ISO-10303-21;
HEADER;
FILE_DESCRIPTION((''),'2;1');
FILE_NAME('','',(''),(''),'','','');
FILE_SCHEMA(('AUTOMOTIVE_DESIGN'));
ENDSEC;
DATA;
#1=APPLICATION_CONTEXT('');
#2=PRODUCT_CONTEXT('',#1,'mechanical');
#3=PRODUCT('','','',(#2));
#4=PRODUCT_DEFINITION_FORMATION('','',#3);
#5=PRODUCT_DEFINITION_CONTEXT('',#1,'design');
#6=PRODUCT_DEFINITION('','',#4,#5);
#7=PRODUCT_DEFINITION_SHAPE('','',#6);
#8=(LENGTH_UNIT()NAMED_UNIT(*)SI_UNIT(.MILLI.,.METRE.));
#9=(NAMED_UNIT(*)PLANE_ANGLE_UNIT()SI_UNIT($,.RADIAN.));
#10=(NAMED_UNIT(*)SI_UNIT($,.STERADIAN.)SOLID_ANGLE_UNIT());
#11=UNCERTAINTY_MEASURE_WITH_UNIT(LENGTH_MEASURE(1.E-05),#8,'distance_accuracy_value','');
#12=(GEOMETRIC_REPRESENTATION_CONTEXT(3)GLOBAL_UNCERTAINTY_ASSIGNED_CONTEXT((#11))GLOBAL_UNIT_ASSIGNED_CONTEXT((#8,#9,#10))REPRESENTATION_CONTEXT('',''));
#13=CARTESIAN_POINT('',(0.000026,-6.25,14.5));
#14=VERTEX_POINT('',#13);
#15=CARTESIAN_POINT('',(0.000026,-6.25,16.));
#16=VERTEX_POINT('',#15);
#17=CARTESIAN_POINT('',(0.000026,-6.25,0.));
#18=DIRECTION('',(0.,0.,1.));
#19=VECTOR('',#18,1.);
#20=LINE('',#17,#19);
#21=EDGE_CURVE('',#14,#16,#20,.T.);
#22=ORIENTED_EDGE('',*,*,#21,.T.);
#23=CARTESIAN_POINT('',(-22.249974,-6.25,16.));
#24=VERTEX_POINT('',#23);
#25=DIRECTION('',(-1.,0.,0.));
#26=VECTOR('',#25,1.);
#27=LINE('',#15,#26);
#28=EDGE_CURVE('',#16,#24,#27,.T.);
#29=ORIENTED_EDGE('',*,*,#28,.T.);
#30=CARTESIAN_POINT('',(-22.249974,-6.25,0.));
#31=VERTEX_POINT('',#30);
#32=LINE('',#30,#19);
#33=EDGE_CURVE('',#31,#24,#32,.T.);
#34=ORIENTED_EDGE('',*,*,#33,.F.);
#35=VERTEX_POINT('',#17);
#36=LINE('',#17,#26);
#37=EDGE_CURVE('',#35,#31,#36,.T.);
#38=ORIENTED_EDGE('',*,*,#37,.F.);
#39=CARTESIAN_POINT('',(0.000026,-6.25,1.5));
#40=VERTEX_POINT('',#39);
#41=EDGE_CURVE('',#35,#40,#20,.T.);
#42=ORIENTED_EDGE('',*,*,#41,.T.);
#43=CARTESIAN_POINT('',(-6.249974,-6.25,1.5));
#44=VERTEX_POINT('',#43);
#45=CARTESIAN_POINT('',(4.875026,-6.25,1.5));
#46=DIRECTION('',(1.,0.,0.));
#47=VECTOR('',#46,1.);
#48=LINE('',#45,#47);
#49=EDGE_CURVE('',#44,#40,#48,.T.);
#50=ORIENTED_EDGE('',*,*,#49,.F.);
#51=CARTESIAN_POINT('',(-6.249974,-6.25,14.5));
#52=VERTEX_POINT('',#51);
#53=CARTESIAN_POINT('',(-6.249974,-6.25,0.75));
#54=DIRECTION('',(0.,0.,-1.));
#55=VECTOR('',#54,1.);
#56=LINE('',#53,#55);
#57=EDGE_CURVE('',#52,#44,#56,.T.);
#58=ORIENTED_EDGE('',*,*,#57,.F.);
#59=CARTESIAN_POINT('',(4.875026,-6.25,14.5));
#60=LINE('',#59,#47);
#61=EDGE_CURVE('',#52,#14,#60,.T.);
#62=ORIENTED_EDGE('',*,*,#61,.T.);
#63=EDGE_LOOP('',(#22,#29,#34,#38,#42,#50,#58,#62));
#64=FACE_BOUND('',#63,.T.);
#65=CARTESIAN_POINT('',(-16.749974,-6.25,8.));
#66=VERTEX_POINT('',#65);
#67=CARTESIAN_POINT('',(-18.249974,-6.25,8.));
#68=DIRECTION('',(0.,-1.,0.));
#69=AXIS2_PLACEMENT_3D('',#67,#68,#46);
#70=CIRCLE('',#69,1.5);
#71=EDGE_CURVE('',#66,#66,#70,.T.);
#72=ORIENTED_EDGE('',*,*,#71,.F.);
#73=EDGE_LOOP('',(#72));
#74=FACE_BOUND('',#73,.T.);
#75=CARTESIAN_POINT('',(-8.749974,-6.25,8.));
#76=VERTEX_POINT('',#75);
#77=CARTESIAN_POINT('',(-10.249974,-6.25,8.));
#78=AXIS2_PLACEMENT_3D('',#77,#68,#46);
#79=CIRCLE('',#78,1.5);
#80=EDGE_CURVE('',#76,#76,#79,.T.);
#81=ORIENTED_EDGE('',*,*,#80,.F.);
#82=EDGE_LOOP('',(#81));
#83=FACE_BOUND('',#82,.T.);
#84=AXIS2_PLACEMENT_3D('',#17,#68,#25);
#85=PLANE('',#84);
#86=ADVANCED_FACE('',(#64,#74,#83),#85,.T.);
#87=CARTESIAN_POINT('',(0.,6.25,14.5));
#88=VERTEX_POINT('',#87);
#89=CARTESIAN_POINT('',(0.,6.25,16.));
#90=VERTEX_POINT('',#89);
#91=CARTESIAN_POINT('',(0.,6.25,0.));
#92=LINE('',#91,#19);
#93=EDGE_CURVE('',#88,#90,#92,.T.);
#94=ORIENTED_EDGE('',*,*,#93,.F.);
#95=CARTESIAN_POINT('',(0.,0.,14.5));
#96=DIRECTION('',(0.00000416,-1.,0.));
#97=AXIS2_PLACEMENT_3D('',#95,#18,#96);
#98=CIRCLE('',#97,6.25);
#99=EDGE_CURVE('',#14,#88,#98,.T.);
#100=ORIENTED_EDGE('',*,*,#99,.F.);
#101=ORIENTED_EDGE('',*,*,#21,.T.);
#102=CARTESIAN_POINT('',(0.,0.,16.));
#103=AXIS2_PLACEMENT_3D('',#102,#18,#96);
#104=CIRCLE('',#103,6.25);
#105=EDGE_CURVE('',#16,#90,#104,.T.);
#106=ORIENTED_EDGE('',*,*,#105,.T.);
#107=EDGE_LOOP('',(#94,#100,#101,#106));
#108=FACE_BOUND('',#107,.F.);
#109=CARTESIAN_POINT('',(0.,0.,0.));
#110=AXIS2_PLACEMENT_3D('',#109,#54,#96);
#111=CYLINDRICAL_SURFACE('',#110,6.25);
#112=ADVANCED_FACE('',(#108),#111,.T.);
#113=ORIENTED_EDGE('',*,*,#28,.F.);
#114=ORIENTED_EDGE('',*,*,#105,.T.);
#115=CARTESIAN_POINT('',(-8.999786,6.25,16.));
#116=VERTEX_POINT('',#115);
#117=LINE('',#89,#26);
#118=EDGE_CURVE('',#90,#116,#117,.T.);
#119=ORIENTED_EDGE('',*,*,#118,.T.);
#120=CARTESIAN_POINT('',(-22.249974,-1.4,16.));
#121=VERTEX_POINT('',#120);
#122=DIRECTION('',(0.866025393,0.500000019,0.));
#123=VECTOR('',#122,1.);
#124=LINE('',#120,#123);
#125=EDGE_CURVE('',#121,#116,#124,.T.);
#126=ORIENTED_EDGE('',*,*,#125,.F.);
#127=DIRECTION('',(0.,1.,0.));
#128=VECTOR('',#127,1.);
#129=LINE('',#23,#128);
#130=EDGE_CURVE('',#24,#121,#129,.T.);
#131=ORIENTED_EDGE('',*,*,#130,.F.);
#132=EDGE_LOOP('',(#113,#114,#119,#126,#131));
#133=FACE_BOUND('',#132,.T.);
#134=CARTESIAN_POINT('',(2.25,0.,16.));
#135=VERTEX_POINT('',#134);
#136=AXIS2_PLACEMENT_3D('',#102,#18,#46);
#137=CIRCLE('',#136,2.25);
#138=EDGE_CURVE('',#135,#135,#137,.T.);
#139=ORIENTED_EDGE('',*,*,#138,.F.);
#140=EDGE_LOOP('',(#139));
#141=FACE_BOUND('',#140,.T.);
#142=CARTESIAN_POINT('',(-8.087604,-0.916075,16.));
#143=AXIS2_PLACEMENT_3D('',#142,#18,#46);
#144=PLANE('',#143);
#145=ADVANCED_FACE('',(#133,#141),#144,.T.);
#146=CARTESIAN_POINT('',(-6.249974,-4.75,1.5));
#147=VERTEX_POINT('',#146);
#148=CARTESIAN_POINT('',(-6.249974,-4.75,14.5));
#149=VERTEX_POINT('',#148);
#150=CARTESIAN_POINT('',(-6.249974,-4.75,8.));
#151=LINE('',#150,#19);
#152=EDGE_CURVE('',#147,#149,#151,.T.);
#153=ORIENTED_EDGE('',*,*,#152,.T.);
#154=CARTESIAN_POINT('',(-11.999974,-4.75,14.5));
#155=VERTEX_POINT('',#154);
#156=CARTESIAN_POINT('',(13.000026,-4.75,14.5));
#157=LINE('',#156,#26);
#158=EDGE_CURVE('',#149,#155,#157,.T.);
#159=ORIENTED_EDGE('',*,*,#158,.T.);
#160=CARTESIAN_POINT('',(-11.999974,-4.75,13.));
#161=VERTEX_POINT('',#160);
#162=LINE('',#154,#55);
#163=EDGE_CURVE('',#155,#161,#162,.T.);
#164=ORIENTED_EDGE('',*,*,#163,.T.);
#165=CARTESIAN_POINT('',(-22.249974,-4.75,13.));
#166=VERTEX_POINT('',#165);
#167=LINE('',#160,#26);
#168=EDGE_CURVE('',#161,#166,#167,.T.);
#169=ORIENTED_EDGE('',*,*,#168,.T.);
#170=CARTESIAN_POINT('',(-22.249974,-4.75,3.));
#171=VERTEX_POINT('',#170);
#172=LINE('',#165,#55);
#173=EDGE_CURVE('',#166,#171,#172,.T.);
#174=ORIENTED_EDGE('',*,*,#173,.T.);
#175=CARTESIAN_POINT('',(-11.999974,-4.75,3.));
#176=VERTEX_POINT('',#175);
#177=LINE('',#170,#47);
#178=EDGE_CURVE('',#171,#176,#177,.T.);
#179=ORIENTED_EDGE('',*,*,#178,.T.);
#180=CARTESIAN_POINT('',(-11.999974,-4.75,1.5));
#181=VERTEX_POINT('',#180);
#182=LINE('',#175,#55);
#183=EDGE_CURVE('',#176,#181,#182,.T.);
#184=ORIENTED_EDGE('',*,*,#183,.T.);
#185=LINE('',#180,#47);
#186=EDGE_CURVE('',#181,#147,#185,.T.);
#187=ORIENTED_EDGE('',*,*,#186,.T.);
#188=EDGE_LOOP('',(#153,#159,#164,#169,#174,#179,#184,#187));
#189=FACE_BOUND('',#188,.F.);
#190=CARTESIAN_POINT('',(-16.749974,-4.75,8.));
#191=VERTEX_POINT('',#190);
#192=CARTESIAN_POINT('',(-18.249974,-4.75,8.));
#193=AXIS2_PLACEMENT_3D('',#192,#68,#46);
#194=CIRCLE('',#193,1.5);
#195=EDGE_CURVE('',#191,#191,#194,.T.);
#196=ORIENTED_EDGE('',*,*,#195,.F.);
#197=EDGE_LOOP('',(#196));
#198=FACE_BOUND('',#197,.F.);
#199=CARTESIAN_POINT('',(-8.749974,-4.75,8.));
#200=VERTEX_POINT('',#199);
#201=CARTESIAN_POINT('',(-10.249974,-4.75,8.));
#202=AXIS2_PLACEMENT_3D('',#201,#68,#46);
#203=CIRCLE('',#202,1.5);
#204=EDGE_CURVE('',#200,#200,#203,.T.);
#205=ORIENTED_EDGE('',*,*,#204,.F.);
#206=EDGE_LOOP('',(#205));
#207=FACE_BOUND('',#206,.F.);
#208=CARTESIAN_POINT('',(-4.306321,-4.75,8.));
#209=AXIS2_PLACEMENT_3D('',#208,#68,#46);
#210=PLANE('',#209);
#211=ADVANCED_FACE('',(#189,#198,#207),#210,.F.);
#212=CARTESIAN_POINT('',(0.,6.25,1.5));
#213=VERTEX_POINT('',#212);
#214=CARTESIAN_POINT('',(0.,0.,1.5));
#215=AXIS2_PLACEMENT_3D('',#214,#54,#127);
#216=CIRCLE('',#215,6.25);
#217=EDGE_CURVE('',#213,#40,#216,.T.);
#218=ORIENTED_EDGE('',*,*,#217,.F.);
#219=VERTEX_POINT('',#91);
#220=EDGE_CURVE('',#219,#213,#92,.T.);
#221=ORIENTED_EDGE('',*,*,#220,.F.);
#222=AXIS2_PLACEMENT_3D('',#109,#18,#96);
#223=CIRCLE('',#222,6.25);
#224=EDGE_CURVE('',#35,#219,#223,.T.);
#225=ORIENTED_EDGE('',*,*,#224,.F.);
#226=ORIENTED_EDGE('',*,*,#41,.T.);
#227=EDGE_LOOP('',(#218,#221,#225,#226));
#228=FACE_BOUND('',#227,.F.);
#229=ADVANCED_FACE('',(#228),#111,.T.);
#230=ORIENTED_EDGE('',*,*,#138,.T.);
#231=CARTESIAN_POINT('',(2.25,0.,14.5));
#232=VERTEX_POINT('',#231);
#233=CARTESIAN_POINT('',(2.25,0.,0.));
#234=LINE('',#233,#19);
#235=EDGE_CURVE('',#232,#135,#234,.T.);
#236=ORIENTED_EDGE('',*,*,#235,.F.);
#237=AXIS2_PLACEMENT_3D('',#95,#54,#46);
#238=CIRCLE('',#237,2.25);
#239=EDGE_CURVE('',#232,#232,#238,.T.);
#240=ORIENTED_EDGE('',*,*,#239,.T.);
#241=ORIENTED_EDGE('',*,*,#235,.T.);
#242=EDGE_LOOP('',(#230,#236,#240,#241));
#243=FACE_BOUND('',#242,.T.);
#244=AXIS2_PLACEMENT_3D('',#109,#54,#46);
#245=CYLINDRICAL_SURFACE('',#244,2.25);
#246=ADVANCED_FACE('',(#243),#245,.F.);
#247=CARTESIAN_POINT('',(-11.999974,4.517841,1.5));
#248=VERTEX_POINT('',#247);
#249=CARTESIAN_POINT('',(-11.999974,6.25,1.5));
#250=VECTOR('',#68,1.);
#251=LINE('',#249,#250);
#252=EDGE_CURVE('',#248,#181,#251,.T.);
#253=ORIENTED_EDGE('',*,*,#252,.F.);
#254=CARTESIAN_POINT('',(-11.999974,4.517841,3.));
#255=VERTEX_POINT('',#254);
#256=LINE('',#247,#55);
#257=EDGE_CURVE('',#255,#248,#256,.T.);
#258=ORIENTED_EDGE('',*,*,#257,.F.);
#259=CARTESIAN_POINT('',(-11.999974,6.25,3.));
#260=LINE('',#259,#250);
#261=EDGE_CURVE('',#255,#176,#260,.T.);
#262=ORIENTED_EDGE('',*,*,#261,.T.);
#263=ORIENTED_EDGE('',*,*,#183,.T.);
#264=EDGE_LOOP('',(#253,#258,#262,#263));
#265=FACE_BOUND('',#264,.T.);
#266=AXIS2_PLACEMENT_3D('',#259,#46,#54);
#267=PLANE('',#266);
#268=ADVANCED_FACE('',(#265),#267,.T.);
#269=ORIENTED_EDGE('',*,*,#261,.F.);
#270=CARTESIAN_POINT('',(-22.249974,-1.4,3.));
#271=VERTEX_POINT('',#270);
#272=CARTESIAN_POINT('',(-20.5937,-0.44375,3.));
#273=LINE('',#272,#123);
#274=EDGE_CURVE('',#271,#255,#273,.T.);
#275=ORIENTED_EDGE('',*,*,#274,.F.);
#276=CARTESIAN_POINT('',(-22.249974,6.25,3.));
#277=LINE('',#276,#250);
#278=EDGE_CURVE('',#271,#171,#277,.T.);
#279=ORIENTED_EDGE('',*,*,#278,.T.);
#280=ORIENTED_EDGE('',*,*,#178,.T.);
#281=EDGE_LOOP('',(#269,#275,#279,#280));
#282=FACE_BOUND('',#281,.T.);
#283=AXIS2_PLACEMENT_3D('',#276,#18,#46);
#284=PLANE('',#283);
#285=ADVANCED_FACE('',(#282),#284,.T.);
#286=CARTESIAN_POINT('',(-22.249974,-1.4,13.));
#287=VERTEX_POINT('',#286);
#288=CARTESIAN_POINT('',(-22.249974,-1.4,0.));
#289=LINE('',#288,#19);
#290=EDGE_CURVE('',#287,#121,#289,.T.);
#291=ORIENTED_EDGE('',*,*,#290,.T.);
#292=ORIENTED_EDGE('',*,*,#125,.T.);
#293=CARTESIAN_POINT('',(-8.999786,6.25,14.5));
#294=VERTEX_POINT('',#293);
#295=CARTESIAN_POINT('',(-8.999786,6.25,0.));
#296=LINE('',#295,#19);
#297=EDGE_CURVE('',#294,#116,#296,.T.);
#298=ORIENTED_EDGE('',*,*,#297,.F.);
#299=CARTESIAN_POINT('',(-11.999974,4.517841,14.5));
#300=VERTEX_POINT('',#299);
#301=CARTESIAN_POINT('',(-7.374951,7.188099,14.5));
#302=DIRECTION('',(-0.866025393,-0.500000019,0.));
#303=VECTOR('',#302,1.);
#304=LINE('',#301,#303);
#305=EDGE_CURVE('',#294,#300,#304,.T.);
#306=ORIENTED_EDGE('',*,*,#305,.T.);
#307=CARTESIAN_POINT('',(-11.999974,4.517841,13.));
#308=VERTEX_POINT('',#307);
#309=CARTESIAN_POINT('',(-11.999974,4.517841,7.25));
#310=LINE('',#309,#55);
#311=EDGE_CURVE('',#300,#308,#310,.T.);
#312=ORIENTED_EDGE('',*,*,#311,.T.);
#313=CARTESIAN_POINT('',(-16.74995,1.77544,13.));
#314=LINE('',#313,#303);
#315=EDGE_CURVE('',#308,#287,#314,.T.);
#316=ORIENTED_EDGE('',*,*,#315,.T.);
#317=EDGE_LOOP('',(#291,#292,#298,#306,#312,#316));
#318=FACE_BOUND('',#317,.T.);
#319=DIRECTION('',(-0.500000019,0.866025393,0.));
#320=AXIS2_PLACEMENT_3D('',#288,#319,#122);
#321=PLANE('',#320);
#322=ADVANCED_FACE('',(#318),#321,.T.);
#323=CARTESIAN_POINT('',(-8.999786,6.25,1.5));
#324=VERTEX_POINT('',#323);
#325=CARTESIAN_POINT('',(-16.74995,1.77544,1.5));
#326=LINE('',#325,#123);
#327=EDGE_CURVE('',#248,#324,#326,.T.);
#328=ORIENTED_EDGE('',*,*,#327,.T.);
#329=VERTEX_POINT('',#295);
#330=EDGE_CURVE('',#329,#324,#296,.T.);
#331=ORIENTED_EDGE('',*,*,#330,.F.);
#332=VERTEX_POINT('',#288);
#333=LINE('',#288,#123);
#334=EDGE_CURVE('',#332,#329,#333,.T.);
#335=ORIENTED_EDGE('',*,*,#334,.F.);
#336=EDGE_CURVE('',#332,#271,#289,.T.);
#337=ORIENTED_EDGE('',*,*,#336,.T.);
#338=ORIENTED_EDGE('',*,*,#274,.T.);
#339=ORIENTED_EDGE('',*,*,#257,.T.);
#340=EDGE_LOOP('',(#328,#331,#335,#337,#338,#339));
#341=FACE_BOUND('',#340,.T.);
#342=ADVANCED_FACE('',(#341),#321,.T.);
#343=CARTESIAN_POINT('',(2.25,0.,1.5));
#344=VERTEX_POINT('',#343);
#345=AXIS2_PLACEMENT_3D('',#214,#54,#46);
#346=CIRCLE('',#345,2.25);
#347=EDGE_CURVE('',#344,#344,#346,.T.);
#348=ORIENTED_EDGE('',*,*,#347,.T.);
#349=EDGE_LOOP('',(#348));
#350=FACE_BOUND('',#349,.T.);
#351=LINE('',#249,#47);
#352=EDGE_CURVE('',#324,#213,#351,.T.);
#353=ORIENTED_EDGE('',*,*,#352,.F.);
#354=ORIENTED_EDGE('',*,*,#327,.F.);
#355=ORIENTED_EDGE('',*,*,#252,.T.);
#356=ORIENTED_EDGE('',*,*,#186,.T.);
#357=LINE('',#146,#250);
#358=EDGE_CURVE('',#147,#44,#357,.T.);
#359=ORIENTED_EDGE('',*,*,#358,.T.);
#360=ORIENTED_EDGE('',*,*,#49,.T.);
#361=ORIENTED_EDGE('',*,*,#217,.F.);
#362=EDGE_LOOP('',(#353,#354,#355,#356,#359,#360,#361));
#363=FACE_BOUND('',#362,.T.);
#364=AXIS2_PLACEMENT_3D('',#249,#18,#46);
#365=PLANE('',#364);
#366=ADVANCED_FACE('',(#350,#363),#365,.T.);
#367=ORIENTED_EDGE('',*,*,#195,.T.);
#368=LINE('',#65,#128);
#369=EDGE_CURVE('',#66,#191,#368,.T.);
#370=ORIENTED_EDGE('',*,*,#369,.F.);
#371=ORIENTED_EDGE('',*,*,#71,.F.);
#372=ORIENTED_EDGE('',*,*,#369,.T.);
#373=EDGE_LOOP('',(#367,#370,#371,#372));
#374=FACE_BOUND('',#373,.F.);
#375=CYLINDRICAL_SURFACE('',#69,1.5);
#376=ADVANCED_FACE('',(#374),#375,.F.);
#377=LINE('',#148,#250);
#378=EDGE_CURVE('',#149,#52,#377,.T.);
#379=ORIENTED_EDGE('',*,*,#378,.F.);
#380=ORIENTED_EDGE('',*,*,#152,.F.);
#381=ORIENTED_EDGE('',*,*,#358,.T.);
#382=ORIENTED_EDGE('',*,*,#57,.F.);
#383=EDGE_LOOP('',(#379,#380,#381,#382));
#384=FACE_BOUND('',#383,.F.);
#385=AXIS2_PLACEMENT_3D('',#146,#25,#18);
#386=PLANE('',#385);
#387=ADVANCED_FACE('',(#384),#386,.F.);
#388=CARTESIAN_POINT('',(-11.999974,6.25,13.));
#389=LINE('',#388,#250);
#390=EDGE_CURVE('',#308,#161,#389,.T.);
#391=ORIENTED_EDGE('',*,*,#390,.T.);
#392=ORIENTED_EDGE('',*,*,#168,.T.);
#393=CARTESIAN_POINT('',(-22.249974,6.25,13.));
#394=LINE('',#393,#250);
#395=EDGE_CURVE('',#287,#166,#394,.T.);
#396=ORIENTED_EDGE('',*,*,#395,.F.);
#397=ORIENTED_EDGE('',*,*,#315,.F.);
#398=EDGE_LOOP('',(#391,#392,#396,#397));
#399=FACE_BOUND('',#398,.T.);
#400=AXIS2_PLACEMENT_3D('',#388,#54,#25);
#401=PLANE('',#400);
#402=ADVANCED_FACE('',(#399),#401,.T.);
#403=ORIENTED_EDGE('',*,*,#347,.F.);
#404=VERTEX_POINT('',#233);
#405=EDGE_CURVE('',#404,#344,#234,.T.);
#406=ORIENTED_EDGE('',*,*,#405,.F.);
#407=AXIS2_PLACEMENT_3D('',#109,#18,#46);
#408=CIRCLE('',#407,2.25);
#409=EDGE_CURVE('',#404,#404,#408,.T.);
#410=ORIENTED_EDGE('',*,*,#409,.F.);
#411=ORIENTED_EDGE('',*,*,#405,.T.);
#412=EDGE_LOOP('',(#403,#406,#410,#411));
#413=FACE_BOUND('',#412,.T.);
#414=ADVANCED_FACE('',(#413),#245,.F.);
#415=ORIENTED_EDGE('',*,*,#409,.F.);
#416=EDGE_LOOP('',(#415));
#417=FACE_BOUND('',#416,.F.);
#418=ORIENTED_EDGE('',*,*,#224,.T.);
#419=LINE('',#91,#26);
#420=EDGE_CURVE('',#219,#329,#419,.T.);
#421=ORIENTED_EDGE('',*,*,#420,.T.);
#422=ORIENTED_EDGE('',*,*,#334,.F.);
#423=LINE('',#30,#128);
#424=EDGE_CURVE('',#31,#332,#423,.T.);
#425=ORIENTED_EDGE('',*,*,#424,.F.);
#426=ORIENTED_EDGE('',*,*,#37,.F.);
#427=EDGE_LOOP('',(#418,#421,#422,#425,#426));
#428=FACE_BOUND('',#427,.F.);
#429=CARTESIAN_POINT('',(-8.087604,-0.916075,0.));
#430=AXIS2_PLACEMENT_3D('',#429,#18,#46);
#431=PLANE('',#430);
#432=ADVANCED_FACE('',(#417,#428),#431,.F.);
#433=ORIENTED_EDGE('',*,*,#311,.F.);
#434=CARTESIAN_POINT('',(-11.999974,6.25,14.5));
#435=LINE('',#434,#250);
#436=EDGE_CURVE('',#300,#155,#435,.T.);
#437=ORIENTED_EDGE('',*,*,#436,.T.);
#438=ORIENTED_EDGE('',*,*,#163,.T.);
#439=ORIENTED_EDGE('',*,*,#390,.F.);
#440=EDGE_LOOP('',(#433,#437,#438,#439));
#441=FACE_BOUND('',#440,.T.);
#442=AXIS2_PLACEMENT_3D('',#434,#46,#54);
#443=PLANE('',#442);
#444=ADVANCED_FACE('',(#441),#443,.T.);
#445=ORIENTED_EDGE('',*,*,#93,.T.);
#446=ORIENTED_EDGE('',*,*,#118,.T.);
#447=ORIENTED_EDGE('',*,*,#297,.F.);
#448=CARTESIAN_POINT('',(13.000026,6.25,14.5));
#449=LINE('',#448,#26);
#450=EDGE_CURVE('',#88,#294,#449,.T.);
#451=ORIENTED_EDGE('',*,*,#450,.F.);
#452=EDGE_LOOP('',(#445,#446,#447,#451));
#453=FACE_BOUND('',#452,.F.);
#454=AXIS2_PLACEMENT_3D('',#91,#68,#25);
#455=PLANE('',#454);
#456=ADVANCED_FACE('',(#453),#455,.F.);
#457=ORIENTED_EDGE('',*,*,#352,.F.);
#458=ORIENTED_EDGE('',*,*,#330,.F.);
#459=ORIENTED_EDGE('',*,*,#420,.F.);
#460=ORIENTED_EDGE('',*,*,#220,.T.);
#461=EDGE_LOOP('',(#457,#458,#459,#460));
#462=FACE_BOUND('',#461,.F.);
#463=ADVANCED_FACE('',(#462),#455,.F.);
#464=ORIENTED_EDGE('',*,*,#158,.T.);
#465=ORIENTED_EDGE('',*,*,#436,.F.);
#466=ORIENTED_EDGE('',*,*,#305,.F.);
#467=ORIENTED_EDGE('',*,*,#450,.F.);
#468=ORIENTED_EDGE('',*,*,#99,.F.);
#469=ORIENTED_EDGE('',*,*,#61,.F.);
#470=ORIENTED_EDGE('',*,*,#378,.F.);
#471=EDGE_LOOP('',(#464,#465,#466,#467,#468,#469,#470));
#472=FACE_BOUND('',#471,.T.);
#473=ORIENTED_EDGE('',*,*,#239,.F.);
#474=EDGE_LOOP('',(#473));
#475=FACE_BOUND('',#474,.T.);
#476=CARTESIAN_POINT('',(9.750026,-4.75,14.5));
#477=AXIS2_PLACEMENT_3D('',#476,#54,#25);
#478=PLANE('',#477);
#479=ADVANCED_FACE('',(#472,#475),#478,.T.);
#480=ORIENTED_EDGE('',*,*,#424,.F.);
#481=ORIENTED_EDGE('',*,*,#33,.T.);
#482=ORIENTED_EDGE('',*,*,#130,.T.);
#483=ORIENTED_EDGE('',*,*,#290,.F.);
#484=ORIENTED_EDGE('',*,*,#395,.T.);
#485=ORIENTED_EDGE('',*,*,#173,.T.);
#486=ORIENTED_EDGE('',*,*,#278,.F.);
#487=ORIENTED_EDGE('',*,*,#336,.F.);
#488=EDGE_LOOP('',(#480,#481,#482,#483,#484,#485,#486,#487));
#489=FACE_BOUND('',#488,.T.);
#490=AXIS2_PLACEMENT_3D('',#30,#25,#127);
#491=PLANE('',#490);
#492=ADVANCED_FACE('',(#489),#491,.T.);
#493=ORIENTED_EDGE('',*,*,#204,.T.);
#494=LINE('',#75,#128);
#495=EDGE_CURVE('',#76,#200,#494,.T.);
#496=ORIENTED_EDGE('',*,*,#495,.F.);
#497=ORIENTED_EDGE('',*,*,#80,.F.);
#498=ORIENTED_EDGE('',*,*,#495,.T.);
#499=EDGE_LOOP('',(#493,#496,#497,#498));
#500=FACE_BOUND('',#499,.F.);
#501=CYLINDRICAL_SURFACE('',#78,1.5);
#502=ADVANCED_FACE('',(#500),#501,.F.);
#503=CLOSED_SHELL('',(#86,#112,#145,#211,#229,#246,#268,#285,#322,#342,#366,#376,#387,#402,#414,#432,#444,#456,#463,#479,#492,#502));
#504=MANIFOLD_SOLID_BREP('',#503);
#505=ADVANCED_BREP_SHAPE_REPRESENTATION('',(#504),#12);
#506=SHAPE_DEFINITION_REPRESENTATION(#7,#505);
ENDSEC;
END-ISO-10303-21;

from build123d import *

# Parameters (mm, degrees)
SKETCH_R        = 2.25
PAD_DEPTH       = 16
SKETCH001_R     = 1.5
POCKET_DEPTH    = 12.501
POCKET001_DEPTH = 11
SKETCH003_W     = 16
SKETCH003_H     = 13
POCKET002_DEPTH = 5


with BuildPart() as part:
    # Sketch → Pad (new body)
    with BuildSketch(Plane.XY):
        with BuildLine():
            ThreePointArc((2.6e-05, -6.25), (6.25, 1.3e-05), (0, 6.25))
            Line((0, 6.25), (-8.999786, 6.25))
            Line((-22.249974, -1.4), (-8.999786, 6.25))
            Line((-22.249974, -6.25), (-22.249974, -1.4))
            Line((2.6e-05, -6.25), (-22.249974, -6.25))
        make_face()
        Circle(SKETCH_R, mode=Mode.SUBTRACT)
    extrude(amount=PAD_DEPTH)

    # Sketch001 → Pocket (cut, through all)
    with BuildSketch(Plane.XZ.offset(6.25)):
        with Locations((-18.249974, 8)):
            Circle(SKETCH001_R)
        with Locations((-10.249974, 8)):
            Circle(SKETCH001_R)
    extrude(amount=-POCKET_DEPTH, mode=Mode.SUBTRACT)

    # Sketch002 → Pocket001 (cut)
    with BuildSketch(Plane(origin=(0, 6.25, 0), x_dir=(-1, 0, 0), z_dir=(0, 1, 0))):
        Polygon((11.999974, 13), (22.249974, 13), (22.249974, 3), (11.999974, 3), (11.999974, 1.5), (-13.000026, 1.5), (-13.000026, 14.5), (11.999974, 14.5), align=None)
    extrude(amount=-POCKET001_DEPTH, mode=Mode.SUBTRACT)

    # Sketch003 → Pocket002 (cut)
    with BuildSketch(Plane(origin=(0, -4.75, 0), x_dir=(-1, 0, 0), z_dir=(0, 1, 0))):
        with Locations((-1.750026, 8)):
            Rectangle(SKETCH003_W, SKETCH003_H)
    extrude(amount=-POCKET002_DEPTH, mode=Mode.SUBTRACT)


solid = part.part
